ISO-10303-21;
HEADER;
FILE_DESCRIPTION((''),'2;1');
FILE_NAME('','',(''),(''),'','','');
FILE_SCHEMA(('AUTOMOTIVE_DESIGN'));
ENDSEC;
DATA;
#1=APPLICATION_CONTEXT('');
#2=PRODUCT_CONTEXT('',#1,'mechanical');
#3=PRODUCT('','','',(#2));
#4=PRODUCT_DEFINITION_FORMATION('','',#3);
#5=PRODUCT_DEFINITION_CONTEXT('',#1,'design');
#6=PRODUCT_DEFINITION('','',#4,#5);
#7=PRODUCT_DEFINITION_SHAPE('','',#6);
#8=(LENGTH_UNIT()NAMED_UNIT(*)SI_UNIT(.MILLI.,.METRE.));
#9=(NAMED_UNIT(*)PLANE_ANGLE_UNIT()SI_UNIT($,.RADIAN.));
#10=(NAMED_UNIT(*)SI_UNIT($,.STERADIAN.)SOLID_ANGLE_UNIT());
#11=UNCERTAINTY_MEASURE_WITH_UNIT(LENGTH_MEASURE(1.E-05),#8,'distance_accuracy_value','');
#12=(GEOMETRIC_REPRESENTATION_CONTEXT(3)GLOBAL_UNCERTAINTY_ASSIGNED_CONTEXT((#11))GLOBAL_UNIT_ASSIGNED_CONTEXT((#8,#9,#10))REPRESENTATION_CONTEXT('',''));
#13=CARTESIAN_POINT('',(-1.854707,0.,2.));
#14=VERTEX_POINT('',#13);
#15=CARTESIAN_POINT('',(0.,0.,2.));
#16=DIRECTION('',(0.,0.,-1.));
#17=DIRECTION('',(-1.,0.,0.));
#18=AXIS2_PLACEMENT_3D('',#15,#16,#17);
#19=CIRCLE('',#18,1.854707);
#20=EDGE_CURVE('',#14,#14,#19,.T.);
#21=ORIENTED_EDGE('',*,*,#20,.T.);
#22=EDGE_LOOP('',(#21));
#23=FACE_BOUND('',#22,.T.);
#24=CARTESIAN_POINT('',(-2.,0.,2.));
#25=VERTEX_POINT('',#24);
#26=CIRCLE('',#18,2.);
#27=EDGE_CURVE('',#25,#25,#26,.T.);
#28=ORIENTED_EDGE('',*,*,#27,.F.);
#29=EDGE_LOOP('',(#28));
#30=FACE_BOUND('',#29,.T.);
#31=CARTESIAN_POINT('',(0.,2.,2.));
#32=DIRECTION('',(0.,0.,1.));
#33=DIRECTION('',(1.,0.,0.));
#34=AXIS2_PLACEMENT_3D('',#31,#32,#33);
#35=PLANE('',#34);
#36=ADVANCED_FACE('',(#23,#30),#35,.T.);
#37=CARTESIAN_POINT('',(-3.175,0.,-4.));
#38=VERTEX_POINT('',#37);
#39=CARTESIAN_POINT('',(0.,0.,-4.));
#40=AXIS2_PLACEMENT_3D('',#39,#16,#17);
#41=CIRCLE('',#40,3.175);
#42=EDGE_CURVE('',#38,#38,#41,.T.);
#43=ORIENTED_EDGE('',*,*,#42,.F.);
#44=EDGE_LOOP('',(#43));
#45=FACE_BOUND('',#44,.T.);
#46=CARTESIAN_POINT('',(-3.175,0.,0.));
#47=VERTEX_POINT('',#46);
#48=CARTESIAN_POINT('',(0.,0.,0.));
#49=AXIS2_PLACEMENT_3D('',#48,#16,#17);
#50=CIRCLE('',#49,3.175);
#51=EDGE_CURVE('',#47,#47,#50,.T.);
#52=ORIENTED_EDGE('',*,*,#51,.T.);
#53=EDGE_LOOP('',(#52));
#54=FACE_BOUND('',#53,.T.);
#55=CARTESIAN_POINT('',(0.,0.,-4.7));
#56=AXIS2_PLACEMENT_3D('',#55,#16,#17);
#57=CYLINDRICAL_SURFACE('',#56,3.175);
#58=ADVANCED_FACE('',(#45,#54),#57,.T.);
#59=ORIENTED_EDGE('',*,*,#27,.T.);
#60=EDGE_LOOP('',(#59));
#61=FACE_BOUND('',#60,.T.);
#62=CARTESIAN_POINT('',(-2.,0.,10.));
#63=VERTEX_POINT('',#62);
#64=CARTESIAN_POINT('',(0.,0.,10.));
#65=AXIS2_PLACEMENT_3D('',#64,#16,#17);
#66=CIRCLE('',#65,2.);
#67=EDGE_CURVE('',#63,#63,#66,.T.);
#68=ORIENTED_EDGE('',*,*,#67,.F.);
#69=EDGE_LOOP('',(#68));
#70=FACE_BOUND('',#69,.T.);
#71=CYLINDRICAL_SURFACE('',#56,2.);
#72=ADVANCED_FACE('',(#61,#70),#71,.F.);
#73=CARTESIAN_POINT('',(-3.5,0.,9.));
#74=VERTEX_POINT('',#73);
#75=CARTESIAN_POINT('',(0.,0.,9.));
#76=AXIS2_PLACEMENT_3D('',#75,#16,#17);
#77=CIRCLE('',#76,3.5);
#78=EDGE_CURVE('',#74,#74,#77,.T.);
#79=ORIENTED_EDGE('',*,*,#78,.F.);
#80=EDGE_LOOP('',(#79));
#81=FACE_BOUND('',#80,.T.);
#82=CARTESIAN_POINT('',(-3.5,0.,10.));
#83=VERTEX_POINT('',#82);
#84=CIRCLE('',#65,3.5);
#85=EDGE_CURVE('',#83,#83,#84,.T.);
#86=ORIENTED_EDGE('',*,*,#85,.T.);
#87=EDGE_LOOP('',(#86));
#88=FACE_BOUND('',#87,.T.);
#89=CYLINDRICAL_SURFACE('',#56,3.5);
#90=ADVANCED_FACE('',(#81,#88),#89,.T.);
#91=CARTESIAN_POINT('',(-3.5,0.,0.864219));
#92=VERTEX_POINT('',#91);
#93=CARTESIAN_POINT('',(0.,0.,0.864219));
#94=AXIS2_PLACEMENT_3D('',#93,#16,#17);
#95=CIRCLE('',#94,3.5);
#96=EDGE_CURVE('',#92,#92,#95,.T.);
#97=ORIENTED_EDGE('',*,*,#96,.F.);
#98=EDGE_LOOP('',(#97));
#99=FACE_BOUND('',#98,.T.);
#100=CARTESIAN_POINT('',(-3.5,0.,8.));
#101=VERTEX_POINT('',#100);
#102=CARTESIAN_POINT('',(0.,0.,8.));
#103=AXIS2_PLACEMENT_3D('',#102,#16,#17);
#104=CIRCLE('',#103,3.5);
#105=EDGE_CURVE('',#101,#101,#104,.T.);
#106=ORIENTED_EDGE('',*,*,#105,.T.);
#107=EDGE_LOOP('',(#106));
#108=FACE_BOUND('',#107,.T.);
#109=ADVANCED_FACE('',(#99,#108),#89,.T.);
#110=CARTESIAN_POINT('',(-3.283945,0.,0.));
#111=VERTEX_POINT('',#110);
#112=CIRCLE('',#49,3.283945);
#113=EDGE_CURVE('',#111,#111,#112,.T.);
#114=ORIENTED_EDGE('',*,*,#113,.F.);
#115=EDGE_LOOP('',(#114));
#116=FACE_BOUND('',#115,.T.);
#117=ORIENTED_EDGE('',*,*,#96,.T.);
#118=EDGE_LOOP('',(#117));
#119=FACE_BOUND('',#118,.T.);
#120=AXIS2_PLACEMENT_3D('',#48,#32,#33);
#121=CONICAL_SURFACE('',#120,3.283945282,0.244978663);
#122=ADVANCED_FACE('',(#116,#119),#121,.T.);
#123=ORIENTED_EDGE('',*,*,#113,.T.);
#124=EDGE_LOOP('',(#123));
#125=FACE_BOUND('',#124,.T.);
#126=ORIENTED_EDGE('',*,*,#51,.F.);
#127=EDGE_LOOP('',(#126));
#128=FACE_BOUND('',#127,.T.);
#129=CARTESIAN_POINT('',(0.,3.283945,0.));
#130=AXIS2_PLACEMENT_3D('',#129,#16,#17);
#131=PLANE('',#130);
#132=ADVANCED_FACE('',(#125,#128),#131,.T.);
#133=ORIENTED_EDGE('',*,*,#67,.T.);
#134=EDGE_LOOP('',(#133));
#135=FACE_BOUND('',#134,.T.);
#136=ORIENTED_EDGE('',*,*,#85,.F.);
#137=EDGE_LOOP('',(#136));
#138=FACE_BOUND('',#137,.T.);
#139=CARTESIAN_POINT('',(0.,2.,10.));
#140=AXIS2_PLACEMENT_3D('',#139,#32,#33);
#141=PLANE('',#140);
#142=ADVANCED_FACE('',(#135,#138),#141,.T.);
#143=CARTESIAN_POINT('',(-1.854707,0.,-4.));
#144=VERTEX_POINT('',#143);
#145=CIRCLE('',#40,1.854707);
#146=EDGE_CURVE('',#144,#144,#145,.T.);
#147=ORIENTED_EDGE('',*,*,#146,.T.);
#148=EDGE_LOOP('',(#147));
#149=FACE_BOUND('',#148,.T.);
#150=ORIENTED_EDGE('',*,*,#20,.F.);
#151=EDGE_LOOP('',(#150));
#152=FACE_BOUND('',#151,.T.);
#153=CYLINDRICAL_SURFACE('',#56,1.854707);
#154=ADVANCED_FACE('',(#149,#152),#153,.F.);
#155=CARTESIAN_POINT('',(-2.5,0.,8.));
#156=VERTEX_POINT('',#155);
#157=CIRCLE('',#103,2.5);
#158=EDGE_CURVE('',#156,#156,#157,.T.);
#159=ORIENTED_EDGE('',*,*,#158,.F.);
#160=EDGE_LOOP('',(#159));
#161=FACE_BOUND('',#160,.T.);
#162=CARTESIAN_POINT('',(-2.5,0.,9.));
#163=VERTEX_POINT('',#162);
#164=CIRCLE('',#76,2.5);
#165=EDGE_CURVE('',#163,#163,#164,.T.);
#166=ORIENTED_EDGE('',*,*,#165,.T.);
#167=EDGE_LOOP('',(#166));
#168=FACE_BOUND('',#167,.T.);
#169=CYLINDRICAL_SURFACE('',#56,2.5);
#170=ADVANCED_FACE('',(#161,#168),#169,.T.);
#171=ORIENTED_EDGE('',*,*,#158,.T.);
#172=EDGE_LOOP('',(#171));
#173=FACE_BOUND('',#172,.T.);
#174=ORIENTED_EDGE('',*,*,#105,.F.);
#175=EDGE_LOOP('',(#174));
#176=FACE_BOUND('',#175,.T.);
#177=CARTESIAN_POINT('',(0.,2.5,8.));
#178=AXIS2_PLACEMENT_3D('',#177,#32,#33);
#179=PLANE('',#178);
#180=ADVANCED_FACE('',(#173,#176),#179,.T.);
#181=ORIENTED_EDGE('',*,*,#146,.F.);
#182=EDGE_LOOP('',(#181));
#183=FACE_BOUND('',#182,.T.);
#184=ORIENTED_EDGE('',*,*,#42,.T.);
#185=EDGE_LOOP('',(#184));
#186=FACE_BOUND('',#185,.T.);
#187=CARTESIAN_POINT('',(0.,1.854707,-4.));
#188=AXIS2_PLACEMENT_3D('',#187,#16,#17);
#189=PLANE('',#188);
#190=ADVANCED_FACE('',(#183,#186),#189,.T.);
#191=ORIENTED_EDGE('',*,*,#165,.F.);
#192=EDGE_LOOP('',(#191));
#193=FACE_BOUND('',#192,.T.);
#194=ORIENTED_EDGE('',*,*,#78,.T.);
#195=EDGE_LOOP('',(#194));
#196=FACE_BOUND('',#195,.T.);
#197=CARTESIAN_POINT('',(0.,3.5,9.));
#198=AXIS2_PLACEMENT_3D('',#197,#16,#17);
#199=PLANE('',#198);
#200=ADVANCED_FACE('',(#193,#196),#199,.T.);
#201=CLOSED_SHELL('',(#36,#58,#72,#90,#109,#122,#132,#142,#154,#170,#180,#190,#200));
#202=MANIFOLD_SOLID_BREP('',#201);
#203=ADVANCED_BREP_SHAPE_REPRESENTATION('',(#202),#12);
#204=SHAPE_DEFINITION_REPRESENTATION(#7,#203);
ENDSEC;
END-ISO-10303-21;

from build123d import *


with BuildPart() as part:
    # Sketch2 → Revolve1 (revolve)
    with BuildSketch(Plane(origin=(0, 0, 0), x_dir=(0, 0, -1), z_dir=(1, 0, 0)), mode=Mode.PRIVATE) as revolve1_sk:
        Polygon((-2, 2), (-10, 2), (-10, 3.5), (-9, 3.5), (-9, 2.5), (-8, 2.5), (-8, 3.5), (-0.86421887, 3.5), (0, 3.283945282), (0, 3.175), (4, 3.175), (4, 1.854706988), (-2, 1.854706988), align=None)
    revolve(revolve1_sk.sketch.rotate(Axis((0, 0, -4.7), (0, 0, 1)), 90), axis=Axis((0, 0, -4.7), (0, 0, 1)))


solid = part.part
